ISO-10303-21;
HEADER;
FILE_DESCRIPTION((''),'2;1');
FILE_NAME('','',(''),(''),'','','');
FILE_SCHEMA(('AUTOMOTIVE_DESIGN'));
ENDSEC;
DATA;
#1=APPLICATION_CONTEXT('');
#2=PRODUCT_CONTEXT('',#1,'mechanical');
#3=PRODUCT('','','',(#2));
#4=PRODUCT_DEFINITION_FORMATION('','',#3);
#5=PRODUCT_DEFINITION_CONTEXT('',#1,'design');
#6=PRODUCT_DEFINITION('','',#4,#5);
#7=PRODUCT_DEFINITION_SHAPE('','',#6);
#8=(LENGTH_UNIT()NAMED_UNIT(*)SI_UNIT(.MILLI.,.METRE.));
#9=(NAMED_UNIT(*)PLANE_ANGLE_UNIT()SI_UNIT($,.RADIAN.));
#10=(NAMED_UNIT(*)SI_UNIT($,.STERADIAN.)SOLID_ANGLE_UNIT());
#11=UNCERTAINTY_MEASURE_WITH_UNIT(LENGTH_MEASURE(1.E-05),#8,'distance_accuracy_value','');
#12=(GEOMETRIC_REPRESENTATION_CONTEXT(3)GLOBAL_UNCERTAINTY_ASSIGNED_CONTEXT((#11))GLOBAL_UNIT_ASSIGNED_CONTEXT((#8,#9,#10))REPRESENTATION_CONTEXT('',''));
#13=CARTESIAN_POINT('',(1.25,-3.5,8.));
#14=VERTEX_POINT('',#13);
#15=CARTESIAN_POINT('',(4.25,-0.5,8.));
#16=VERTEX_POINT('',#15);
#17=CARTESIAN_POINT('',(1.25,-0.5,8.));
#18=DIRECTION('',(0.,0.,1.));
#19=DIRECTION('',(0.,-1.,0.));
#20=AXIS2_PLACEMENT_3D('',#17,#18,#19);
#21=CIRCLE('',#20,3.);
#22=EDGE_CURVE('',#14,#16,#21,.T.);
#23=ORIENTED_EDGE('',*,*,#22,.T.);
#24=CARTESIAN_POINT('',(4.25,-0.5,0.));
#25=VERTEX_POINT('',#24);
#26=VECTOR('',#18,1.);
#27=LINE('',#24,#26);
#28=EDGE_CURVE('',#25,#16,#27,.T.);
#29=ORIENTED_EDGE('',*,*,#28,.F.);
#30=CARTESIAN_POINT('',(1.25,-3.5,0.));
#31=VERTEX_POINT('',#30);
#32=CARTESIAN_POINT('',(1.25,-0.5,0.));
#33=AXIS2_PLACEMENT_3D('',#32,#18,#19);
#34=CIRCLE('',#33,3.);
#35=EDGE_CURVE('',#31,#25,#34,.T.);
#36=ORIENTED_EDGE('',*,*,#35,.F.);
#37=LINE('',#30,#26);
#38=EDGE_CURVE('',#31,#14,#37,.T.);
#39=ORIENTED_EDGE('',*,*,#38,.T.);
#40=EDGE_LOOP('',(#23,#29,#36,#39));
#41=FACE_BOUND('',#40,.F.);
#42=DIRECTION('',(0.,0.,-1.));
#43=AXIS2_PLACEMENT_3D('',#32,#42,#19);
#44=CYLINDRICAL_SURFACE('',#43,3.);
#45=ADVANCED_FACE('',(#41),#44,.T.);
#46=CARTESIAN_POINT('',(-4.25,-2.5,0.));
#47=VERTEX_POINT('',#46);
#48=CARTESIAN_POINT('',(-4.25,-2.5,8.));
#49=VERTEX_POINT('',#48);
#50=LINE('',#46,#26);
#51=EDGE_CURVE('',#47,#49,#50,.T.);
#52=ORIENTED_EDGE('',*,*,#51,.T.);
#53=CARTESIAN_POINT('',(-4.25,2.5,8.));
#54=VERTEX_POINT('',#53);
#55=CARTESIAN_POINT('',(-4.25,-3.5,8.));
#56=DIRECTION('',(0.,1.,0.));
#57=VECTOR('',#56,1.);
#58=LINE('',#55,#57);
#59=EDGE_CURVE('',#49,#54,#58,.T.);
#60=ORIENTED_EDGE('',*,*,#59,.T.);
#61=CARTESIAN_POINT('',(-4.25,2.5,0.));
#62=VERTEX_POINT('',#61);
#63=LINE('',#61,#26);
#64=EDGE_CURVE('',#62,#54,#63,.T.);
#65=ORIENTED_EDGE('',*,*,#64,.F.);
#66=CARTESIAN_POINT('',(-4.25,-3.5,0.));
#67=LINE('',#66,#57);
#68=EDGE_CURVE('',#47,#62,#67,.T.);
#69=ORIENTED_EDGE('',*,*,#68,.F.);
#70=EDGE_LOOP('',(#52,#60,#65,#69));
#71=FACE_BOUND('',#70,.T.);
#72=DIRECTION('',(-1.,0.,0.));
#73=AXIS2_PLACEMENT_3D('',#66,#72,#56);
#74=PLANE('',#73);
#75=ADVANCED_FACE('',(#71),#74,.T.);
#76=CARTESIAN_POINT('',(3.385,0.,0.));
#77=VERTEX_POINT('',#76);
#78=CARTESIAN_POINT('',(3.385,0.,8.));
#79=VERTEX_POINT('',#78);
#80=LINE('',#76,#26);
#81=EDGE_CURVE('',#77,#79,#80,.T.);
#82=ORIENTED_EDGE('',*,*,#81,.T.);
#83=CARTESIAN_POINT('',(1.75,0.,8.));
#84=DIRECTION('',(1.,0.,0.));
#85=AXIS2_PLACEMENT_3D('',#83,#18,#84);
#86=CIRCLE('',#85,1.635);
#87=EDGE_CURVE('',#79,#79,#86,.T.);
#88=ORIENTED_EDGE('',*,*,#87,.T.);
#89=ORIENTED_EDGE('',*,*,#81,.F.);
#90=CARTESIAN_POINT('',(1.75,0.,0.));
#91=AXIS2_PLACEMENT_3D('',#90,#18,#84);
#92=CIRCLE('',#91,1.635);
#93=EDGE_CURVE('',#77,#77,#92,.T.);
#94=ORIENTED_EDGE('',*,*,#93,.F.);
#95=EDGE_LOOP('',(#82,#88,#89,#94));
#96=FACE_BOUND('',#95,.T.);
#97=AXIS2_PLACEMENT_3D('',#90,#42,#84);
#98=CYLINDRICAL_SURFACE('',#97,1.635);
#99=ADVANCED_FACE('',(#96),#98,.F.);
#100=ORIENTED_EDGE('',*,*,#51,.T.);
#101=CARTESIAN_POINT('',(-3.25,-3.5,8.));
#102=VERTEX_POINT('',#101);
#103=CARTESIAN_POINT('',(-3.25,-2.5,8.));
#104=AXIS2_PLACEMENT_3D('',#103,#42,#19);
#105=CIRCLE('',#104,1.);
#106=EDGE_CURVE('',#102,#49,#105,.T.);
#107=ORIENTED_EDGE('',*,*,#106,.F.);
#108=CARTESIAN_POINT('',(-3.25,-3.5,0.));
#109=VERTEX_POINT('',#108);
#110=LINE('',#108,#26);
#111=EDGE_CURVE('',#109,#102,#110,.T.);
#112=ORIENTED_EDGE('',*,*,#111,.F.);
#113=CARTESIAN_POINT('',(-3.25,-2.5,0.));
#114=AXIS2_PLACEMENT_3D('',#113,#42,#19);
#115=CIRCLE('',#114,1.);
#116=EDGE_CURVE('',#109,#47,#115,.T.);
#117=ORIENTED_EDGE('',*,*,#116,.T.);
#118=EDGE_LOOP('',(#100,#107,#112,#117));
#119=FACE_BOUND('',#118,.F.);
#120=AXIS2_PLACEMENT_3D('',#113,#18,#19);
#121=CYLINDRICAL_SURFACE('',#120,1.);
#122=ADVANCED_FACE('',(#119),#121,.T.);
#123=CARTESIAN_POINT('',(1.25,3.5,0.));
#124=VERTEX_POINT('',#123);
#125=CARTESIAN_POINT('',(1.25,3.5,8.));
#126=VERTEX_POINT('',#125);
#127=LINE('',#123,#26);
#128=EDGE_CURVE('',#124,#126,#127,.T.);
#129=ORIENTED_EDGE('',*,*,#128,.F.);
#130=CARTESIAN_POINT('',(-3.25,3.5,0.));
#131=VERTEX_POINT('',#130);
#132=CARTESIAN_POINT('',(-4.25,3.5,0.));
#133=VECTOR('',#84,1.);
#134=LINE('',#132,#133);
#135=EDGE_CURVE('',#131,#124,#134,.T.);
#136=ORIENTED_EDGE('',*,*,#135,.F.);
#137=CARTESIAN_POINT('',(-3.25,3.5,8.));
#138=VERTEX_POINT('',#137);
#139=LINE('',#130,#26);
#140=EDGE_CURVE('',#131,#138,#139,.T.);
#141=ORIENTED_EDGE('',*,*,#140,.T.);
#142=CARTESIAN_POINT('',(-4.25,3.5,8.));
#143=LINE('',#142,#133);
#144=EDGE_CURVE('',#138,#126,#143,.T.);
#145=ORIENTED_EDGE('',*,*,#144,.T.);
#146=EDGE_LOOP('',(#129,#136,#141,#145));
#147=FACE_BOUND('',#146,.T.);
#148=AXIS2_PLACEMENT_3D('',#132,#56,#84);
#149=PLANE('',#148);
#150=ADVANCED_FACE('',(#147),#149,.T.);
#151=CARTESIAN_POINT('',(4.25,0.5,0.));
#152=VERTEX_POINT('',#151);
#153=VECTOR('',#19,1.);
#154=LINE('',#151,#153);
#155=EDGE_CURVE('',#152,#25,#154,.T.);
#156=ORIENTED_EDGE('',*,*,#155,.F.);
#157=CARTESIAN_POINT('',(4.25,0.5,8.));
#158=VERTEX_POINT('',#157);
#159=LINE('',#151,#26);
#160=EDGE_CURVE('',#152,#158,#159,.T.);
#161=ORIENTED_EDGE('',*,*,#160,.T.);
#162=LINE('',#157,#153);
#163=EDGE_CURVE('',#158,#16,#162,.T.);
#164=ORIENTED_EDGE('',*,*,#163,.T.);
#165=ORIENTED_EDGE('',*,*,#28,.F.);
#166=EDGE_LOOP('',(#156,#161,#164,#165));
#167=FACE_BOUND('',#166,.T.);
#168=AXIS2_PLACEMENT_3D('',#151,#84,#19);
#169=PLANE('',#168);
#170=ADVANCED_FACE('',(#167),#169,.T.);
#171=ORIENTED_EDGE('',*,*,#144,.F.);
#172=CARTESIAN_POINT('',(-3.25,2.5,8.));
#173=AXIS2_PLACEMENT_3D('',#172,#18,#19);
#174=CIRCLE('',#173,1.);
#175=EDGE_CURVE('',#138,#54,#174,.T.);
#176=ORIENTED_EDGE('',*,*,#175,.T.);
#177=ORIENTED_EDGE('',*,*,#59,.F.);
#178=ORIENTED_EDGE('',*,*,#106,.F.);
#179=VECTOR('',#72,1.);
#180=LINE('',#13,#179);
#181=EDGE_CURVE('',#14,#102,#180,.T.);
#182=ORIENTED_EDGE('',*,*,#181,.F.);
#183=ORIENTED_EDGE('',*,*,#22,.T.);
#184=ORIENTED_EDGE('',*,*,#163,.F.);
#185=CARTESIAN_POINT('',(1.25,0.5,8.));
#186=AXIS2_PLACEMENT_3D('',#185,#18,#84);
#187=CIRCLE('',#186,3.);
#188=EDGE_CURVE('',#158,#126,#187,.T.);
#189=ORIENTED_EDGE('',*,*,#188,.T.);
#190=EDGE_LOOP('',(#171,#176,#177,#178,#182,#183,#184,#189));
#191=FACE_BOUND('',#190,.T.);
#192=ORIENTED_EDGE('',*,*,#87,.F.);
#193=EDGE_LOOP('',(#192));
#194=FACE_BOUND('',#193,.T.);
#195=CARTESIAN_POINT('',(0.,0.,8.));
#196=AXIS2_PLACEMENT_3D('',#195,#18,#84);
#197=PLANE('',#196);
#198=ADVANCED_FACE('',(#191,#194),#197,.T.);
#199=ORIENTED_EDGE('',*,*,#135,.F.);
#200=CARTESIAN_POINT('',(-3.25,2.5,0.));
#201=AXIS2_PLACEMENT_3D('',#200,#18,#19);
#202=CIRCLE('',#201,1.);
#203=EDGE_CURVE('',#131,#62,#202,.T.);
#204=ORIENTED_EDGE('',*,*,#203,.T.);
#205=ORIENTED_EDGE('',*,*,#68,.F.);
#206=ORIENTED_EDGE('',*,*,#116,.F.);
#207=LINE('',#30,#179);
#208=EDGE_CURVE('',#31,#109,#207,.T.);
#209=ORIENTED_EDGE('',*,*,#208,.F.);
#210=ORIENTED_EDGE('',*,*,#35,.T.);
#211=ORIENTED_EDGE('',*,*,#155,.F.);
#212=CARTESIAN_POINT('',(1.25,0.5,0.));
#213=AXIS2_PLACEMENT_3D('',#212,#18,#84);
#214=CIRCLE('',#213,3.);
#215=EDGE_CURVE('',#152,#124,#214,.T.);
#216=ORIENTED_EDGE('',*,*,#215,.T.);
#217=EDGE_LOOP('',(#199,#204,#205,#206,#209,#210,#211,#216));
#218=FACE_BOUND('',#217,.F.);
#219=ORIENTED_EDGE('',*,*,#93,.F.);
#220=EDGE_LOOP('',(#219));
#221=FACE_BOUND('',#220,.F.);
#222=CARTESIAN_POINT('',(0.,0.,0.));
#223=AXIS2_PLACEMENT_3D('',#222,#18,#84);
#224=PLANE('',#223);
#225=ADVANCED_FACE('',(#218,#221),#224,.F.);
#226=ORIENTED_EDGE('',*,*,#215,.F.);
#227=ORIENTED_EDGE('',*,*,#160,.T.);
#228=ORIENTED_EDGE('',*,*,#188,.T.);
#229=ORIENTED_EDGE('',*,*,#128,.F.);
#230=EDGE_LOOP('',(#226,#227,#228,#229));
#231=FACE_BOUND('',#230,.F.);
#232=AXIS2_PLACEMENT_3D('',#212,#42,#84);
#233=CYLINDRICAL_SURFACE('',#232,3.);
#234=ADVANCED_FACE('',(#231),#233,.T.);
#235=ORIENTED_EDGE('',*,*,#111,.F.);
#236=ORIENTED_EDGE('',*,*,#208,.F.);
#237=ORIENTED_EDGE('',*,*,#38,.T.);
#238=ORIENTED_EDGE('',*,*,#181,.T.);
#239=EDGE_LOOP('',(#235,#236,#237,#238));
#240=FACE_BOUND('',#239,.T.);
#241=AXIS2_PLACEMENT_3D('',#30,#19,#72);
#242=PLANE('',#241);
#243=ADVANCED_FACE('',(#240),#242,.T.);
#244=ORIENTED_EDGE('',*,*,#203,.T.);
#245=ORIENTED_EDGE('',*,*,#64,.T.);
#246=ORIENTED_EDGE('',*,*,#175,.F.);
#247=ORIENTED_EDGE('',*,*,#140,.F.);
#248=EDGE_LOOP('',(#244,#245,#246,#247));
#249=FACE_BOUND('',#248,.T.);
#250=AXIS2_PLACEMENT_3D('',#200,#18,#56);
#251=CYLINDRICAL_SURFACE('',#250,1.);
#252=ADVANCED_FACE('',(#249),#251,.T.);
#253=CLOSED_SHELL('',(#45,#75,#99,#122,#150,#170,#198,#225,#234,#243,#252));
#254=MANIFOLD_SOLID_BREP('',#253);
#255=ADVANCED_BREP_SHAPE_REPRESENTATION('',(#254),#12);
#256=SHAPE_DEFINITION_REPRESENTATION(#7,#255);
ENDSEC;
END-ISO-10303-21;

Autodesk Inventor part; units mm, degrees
ref_plane "YZ Plane" through (0, 0, 0) normal (1, 0, 0) x (0, 1, 0)
ref_plane "XZ Plane" through (0, 0, 0) normal (0, 1, 0) x (-1, 0, 0)
ref_plane "XY Plane" through (0, 0, 0) normal (0, 0, 1) x (1, 0, 0)
sketch "スケッチ1" plane through (0, 0, 0) normal (0, 0, 1) x (1, 0, 0)
  line L0 (-4.25, 3.5) -> (1.25, 3.5)
  line L1 (4.25, 0.5) -> (4.25, -0.5)
  line L2 (1.25, -3.5) -> (-4.25, -3.5)
  line L3 (-4.25, -3.5) -> (-4.25, 3.5)
  line L4 (-4.25, 3.5) -> (4.25, -3.5) construction
  line L5 (4.25, 3.5) -> (-4.25, -3.5) construction
  arc A0 (4.25, 0.5) -> (1.25, 3.5) centre (1.25, 0.5) ccw
  arc A1 (1.25, -3.5) -> (4.25, -0.5) centre (1.25, -0.5) ccw
  circle A2 centre (1.75, 0) radius 1.635
  line L6 (-6.0743, 0) -> (6.6956, 0) construction
  point P0 (0, 0)
  dimension "d0" = 7
  dimension "d1" = 8.5
  dimension "d2" = 3
  dimension "d6" = 3.27
  dimension "d7" = 2.5
extrude "押し出し1" add sketch "スケッチ1" along normal blind 8
fillet "フィレット1" radius 1 2 edges at (-4.25, 3.5, 4) (-4.25, -3.5, 4)
properties part number "spacer_link"
